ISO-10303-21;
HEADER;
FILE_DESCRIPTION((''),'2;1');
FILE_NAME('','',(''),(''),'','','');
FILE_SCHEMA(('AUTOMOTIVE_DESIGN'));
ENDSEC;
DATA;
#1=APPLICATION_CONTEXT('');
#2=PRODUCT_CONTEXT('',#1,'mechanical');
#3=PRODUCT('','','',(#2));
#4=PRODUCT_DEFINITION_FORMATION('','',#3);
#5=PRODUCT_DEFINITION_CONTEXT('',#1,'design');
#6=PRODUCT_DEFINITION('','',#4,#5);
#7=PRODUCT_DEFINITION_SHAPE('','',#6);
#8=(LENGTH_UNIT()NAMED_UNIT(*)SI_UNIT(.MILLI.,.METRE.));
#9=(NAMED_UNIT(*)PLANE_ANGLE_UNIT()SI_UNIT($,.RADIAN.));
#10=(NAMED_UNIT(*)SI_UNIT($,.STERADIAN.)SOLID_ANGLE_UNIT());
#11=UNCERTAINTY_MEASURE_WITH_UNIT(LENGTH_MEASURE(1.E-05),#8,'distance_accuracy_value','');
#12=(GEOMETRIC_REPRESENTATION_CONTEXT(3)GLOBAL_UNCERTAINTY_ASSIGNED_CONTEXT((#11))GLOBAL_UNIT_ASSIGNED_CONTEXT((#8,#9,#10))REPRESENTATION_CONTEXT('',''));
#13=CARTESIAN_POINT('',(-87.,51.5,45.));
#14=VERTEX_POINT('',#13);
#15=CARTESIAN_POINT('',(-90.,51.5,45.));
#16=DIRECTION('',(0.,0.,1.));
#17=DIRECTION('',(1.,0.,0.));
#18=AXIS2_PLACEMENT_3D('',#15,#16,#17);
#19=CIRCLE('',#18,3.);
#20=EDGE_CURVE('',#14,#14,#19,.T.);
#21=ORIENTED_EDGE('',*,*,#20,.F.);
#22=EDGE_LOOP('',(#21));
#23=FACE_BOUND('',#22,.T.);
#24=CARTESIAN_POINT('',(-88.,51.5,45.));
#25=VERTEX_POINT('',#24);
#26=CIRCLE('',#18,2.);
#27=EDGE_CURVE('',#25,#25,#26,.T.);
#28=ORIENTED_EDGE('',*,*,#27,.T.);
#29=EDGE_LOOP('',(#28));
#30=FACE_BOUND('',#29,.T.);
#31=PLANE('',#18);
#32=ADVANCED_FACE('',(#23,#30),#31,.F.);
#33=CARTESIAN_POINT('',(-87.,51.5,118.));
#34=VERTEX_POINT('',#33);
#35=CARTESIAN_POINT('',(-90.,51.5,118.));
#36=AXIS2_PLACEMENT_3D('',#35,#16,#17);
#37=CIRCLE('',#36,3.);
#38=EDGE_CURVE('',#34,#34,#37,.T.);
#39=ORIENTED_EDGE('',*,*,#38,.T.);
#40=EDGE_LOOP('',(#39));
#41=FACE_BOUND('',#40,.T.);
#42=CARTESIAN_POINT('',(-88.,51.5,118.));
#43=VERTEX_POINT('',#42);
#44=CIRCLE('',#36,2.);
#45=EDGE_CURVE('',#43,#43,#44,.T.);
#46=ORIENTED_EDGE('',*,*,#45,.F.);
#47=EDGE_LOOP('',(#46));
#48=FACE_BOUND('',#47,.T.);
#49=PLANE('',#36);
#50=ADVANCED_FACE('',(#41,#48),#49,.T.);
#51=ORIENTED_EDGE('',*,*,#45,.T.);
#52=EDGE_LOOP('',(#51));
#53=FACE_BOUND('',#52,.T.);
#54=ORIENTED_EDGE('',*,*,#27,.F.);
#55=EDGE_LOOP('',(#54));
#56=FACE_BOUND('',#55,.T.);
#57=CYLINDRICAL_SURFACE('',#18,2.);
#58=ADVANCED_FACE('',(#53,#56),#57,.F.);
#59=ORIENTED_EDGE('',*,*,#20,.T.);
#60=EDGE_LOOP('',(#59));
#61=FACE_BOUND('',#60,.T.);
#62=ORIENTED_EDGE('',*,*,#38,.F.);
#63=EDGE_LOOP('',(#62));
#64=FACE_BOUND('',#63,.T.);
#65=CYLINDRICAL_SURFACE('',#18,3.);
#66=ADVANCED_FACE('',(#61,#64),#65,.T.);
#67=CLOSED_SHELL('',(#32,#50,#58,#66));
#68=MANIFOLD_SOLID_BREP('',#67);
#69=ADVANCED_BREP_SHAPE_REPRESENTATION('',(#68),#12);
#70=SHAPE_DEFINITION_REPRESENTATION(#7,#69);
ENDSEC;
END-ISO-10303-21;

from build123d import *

# Parameters (mm, degrees)
MAIN_PROFILE_SKETCH_R   = 3
MAIN_PROFILE_SKETCH_R_2 = 2
MAIN_EXTRUSION_DEPTH    = 73


with BuildPart() as part:
    # Main Profile Sketch → Main Extrusion (new body)
    with BuildSketch(Plane.XY.offset(118)):
        with Locations((-90, 51.5)):
            Circle(MAIN_PROFILE_SKETCH_R)
        with Locations((-90, 51.5)):
            Circle(MAIN_PROFILE_SKETCH_R_2, mode=Mode.SUBTRACT)
    extrude(amount=-MAIN_EXTRUSION_DEPTH)


solid = part.part
